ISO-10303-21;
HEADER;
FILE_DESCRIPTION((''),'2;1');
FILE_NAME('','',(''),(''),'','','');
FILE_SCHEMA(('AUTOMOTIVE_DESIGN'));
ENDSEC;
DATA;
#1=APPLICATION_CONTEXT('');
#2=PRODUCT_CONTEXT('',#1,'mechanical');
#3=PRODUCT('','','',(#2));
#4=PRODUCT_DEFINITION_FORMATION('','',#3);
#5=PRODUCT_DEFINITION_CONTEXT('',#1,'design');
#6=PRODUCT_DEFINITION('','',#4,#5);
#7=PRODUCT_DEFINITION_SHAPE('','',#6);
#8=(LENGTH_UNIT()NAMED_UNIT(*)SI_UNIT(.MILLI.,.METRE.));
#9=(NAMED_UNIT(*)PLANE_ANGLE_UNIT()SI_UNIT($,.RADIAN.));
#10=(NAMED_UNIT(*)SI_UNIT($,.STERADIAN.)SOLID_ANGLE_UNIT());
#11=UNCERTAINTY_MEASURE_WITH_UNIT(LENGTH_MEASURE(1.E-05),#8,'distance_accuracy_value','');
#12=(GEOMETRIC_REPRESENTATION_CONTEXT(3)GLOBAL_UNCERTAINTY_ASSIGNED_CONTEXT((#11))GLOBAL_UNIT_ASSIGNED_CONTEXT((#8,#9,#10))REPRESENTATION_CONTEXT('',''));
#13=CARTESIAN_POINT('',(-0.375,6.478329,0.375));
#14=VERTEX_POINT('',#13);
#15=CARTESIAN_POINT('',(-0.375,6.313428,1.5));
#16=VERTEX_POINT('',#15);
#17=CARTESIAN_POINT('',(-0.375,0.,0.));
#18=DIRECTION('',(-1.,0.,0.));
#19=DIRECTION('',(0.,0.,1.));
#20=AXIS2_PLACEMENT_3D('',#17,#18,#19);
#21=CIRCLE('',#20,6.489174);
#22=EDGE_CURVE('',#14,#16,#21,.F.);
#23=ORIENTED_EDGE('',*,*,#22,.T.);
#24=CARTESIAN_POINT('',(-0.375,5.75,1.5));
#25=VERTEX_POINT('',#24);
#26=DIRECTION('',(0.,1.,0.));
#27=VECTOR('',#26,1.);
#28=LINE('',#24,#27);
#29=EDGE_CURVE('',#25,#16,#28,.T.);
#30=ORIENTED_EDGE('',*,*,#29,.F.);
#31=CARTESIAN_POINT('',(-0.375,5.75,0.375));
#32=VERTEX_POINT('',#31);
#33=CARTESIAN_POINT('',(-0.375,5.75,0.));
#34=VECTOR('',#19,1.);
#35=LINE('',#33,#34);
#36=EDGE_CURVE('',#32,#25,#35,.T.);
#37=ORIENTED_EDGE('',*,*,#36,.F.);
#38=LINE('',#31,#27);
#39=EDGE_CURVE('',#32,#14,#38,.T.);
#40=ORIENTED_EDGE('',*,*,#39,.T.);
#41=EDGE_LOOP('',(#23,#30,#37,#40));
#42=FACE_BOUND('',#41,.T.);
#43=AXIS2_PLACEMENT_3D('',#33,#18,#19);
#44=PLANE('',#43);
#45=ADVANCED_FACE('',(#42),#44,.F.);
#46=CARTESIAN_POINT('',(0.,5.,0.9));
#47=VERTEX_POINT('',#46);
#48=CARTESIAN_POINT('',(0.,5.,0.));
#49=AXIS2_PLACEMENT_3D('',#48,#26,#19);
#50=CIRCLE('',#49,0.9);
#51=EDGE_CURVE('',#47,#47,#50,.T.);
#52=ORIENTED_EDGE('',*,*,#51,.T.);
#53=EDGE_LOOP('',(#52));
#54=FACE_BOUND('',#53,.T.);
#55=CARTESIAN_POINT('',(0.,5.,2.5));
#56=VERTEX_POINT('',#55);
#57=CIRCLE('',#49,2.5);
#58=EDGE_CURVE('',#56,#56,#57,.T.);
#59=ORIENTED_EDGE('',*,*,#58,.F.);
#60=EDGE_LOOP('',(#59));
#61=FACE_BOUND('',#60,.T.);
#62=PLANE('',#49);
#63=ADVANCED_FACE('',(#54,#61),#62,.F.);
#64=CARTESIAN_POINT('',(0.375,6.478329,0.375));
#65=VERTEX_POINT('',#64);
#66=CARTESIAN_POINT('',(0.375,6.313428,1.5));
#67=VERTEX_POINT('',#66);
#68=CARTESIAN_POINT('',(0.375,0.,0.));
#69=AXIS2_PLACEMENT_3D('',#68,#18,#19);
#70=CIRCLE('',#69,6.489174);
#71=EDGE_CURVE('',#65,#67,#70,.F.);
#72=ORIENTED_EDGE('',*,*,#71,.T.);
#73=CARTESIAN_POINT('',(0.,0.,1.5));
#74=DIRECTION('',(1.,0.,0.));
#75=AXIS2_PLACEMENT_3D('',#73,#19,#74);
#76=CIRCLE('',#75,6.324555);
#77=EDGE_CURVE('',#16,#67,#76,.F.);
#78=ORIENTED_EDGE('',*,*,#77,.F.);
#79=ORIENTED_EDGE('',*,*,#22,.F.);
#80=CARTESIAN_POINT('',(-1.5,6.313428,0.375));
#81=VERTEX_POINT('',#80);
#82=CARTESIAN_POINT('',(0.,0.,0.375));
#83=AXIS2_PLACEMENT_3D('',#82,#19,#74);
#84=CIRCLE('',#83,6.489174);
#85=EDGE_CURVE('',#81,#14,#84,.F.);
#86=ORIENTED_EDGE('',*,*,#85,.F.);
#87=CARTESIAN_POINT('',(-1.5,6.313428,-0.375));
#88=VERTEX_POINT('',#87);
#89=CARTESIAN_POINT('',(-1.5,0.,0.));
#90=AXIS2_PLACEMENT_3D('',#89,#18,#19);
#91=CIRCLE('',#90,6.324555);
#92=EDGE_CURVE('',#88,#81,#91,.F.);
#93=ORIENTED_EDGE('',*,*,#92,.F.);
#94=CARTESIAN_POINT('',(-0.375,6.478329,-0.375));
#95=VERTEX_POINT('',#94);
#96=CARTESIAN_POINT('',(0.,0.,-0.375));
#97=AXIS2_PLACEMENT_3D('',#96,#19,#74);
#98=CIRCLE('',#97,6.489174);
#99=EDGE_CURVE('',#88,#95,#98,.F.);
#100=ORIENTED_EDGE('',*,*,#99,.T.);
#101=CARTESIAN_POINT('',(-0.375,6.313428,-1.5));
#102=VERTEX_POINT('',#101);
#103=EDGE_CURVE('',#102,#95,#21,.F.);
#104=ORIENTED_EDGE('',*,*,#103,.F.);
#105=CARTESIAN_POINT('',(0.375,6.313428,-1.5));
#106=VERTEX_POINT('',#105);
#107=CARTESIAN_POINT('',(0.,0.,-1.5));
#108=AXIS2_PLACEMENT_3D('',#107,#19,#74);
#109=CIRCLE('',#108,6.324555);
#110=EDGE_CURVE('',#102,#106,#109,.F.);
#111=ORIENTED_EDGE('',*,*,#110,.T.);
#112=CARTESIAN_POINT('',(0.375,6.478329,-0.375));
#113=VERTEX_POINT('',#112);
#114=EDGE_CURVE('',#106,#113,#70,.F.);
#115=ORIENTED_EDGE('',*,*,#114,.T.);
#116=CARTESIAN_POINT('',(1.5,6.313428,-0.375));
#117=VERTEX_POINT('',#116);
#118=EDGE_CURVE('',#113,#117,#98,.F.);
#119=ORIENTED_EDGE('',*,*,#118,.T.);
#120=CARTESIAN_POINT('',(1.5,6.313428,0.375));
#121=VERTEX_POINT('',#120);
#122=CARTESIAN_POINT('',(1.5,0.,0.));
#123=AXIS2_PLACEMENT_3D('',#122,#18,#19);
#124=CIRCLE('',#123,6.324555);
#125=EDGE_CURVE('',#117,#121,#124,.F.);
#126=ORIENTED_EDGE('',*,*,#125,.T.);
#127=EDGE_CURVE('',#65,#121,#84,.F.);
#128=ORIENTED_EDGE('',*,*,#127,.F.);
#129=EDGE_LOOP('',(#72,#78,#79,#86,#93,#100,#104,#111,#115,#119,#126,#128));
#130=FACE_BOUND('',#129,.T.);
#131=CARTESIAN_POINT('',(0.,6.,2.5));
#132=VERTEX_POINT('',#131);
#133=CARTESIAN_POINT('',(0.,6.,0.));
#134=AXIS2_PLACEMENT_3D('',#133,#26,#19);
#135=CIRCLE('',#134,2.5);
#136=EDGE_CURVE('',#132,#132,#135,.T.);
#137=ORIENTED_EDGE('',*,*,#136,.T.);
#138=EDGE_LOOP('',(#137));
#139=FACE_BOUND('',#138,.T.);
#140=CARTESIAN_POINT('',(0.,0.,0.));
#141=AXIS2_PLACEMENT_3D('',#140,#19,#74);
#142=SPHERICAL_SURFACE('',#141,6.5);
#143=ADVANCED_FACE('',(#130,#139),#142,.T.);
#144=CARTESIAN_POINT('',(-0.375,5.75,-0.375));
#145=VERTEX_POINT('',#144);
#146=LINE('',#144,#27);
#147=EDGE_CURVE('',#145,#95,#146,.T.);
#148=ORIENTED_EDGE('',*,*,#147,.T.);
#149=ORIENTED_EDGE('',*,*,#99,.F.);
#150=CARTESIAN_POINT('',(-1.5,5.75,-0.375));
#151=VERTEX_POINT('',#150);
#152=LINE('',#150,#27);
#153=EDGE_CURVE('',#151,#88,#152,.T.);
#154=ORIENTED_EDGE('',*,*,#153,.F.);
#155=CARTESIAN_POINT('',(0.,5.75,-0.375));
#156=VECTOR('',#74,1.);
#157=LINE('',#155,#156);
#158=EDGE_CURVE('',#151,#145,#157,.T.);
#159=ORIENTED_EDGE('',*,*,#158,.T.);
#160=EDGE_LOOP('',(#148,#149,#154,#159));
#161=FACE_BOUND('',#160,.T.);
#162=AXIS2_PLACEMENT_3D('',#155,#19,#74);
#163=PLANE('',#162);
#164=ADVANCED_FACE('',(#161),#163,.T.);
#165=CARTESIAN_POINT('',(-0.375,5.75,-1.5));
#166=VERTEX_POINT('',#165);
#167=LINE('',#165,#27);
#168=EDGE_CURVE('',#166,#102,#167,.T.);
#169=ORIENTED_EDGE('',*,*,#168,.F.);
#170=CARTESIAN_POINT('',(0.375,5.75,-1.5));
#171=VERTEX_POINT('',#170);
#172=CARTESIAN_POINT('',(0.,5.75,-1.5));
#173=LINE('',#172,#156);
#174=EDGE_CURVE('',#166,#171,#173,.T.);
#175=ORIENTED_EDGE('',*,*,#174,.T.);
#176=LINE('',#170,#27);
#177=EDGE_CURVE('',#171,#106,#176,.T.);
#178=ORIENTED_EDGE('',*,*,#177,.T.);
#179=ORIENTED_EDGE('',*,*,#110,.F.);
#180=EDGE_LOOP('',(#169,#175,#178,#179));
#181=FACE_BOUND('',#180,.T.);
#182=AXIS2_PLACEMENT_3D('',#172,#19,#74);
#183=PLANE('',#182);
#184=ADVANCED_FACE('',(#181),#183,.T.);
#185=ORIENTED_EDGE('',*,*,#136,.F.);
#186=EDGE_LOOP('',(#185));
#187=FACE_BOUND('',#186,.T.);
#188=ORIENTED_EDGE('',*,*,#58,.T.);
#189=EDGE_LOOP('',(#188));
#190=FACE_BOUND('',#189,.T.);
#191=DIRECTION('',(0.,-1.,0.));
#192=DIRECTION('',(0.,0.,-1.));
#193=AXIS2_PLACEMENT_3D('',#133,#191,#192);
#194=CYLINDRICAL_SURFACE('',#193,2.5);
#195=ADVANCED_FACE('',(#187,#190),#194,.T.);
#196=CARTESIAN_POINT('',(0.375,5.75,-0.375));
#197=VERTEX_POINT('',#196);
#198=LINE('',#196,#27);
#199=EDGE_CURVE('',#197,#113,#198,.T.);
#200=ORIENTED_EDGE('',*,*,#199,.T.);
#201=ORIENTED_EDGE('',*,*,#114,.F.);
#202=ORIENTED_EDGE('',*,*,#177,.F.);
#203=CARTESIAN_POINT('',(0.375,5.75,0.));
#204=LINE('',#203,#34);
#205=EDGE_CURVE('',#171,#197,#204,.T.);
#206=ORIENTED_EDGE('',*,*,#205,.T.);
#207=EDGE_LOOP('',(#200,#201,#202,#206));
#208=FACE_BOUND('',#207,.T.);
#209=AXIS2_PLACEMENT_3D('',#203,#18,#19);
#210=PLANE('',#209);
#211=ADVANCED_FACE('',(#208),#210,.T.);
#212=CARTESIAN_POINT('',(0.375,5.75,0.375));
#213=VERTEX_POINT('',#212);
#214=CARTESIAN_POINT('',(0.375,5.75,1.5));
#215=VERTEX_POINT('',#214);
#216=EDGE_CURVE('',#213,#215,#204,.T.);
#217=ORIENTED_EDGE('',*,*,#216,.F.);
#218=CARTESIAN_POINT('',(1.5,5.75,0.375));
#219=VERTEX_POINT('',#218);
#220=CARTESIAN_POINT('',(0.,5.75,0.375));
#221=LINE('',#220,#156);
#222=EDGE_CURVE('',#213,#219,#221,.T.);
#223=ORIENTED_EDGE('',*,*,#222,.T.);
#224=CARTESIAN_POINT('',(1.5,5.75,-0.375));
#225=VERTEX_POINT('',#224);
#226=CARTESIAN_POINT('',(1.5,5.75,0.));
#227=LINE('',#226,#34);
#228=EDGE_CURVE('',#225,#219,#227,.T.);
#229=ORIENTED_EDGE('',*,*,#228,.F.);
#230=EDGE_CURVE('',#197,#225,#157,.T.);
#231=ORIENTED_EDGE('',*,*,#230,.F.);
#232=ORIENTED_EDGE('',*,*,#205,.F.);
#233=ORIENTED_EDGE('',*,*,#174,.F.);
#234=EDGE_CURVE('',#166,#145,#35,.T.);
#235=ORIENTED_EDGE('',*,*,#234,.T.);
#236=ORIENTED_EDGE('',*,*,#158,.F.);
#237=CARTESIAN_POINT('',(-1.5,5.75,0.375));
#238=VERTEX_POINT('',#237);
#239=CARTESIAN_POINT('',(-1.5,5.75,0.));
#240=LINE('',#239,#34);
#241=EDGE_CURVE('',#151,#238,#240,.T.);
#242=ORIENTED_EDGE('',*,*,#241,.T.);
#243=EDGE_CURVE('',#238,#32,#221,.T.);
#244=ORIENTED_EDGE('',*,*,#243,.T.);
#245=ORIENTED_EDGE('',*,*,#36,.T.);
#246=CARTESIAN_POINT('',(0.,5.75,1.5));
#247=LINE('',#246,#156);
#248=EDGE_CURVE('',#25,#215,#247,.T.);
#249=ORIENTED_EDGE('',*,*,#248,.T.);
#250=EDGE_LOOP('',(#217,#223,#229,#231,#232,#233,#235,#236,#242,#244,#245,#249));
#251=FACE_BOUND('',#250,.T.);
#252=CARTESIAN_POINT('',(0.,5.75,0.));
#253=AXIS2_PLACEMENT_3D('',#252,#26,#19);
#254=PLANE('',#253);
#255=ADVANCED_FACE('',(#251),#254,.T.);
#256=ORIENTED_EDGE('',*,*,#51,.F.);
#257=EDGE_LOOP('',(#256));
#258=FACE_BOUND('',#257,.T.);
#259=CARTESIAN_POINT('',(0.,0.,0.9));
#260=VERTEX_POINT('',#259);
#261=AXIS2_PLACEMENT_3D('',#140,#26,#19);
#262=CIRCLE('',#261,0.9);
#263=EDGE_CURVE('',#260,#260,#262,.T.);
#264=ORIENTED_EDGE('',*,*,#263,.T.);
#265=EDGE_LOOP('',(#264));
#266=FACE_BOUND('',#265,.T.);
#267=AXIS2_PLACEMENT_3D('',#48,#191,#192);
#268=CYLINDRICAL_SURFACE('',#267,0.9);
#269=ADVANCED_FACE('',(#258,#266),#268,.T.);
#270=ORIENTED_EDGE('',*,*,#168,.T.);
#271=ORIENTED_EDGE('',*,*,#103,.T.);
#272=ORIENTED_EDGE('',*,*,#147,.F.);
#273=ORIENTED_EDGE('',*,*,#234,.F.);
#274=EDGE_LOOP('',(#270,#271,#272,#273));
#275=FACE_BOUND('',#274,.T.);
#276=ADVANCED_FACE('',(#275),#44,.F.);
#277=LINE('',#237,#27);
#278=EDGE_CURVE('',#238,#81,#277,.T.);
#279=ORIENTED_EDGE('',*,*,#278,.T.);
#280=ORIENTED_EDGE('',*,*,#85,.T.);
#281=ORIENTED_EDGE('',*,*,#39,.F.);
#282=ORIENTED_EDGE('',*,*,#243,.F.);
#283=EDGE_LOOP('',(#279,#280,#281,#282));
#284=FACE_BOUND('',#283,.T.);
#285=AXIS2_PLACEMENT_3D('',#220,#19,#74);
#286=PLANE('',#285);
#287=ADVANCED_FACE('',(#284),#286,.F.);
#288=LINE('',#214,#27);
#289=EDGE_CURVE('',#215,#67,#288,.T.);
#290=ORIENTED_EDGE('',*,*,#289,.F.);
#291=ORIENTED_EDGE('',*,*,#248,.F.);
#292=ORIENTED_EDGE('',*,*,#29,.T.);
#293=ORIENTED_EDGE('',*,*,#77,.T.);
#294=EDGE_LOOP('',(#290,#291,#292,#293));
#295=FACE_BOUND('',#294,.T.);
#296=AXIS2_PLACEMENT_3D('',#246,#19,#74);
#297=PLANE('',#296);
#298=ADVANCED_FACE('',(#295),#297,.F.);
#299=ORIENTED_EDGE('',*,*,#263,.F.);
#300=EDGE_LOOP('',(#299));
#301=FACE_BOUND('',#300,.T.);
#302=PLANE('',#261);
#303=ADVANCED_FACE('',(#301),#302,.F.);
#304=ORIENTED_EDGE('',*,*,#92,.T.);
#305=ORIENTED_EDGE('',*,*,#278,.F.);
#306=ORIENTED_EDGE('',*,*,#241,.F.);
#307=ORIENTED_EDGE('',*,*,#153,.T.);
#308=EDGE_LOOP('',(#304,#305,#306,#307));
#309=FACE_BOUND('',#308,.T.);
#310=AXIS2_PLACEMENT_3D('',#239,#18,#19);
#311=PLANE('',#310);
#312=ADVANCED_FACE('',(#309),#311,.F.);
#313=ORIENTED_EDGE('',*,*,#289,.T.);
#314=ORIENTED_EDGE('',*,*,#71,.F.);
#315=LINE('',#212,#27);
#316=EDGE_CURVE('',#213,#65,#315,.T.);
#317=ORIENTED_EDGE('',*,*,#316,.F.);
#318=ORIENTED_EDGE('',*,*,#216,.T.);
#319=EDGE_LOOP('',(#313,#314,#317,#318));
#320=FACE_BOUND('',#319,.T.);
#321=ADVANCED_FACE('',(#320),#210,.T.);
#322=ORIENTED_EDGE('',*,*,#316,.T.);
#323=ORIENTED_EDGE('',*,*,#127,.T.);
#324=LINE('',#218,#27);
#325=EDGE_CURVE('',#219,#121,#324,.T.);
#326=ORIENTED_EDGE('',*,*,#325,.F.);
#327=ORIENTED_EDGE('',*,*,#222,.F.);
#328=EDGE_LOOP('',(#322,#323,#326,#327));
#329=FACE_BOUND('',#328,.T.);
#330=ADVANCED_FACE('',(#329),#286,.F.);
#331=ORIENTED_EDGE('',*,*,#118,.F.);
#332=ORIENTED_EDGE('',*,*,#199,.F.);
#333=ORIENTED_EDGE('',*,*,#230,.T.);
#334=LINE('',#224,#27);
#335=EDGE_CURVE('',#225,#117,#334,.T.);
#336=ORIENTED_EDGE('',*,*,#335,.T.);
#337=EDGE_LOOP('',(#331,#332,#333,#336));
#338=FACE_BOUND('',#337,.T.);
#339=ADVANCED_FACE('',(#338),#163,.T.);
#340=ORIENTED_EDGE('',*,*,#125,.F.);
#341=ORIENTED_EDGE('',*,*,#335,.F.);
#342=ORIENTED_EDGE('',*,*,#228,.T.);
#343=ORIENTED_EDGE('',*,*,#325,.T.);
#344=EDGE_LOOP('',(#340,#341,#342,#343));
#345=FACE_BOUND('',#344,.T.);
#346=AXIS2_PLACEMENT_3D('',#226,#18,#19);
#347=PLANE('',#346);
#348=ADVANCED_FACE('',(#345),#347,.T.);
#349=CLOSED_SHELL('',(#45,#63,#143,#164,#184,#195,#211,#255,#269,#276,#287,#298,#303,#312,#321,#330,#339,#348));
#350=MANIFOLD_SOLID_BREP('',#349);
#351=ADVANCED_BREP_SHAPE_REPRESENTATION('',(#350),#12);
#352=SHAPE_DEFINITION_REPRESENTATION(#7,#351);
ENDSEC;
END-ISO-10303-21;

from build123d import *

# Parameters (mm, degrees)
SKETCH1_R           = 0.9
BOSS_EXTRUDE1_DEPTH = 5
SKETCH2_R           = 2.5
BOSS_EXTRUDE2_DEPTH = 1
DOME1_FACE_RADIUS   = 2.5
DOME1_HEIGHT        = 0.5
SKETCH3_W           = 1.125
SKETCH3_H           = 0.75
SKETCH3_W_2         = 0.75
SKETCH3_H_2         = 1.125
CUT_EXTRUDE1_DEPTH  = 0.75


with BuildPart() as part:
    # Sketch1 → Boss-Extrude1 (new body)
    with BuildSketch(Plane(origin=(0, 0, 0), x_dir=(1, 0, 0), z_dir=(0, 1, 0))):
        Circle(SKETCH1_R)
    extrude(amount=BOSS_EXTRUDE1_DEPTH)

    # Sketch2 → Boss-Extrude2 (add)
    with BuildSketch(Plane(origin=(0, 5, 0), x_dir=(1, 0, 0), z_dir=(0, 1, 0))):
        Circle(SKETCH2_R)
    extrude(amount=BOSS_EXTRUDE2_DEPTH)

    # Dome1: a dome of height H over a round flat face of radius A is a cap of a sphere of radius (A * A + H * H) / (2 * H)
    dome1_r = (DOME1_FACE_RADIUS * DOME1_FACE_RADIUS + DOME1_HEIGHT * DOME1_HEIGHT) / (2 * DOME1_HEIGHT)
    dome1_base = Plane((0, 6, 0), z_dir=(0, 1, 0))
    with Locations(dome1_base.offset(DOME1_HEIGHT - dome1_r)):
        dome1_ball = Sphere(dome1_r, mode=Mode.PRIVATE)
    add(split(dome1_ball, bisect_by=dome1_base, keep=Keep.TOP, mode=Mode.PRIVATE))

    # Sketch3 → Cut-Extrude1 (cut)
    with BuildSketch(Plane(origin=(0, 6.5, 0), x_dir=(1, 0, 0), z_dir=(0, 1, 0))):
        with Locations((-0.9375, 0)):
            Rectangle(SKETCH3_W, SKETCH3_H)
        Rectangle(SKETCH3_W_2, SKETCH3_H)
        with Locations((0, 0.9375)):
            Rectangle(SKETCH3_W_2, SKETCH3_H_2)
        with Locations((0.9375, 0)):
            Rectangle(SKETCH3_W, SKETCH3_H)
        with Locations((0, -0.9375)):
            Rectangle(SKETCH3_W_2, SKETCH3_H_2)
    extrude(amount=-CUT_EXTRUDE1_DEPTH, mode=Mode.SUBTRACT)


solid = part.part
